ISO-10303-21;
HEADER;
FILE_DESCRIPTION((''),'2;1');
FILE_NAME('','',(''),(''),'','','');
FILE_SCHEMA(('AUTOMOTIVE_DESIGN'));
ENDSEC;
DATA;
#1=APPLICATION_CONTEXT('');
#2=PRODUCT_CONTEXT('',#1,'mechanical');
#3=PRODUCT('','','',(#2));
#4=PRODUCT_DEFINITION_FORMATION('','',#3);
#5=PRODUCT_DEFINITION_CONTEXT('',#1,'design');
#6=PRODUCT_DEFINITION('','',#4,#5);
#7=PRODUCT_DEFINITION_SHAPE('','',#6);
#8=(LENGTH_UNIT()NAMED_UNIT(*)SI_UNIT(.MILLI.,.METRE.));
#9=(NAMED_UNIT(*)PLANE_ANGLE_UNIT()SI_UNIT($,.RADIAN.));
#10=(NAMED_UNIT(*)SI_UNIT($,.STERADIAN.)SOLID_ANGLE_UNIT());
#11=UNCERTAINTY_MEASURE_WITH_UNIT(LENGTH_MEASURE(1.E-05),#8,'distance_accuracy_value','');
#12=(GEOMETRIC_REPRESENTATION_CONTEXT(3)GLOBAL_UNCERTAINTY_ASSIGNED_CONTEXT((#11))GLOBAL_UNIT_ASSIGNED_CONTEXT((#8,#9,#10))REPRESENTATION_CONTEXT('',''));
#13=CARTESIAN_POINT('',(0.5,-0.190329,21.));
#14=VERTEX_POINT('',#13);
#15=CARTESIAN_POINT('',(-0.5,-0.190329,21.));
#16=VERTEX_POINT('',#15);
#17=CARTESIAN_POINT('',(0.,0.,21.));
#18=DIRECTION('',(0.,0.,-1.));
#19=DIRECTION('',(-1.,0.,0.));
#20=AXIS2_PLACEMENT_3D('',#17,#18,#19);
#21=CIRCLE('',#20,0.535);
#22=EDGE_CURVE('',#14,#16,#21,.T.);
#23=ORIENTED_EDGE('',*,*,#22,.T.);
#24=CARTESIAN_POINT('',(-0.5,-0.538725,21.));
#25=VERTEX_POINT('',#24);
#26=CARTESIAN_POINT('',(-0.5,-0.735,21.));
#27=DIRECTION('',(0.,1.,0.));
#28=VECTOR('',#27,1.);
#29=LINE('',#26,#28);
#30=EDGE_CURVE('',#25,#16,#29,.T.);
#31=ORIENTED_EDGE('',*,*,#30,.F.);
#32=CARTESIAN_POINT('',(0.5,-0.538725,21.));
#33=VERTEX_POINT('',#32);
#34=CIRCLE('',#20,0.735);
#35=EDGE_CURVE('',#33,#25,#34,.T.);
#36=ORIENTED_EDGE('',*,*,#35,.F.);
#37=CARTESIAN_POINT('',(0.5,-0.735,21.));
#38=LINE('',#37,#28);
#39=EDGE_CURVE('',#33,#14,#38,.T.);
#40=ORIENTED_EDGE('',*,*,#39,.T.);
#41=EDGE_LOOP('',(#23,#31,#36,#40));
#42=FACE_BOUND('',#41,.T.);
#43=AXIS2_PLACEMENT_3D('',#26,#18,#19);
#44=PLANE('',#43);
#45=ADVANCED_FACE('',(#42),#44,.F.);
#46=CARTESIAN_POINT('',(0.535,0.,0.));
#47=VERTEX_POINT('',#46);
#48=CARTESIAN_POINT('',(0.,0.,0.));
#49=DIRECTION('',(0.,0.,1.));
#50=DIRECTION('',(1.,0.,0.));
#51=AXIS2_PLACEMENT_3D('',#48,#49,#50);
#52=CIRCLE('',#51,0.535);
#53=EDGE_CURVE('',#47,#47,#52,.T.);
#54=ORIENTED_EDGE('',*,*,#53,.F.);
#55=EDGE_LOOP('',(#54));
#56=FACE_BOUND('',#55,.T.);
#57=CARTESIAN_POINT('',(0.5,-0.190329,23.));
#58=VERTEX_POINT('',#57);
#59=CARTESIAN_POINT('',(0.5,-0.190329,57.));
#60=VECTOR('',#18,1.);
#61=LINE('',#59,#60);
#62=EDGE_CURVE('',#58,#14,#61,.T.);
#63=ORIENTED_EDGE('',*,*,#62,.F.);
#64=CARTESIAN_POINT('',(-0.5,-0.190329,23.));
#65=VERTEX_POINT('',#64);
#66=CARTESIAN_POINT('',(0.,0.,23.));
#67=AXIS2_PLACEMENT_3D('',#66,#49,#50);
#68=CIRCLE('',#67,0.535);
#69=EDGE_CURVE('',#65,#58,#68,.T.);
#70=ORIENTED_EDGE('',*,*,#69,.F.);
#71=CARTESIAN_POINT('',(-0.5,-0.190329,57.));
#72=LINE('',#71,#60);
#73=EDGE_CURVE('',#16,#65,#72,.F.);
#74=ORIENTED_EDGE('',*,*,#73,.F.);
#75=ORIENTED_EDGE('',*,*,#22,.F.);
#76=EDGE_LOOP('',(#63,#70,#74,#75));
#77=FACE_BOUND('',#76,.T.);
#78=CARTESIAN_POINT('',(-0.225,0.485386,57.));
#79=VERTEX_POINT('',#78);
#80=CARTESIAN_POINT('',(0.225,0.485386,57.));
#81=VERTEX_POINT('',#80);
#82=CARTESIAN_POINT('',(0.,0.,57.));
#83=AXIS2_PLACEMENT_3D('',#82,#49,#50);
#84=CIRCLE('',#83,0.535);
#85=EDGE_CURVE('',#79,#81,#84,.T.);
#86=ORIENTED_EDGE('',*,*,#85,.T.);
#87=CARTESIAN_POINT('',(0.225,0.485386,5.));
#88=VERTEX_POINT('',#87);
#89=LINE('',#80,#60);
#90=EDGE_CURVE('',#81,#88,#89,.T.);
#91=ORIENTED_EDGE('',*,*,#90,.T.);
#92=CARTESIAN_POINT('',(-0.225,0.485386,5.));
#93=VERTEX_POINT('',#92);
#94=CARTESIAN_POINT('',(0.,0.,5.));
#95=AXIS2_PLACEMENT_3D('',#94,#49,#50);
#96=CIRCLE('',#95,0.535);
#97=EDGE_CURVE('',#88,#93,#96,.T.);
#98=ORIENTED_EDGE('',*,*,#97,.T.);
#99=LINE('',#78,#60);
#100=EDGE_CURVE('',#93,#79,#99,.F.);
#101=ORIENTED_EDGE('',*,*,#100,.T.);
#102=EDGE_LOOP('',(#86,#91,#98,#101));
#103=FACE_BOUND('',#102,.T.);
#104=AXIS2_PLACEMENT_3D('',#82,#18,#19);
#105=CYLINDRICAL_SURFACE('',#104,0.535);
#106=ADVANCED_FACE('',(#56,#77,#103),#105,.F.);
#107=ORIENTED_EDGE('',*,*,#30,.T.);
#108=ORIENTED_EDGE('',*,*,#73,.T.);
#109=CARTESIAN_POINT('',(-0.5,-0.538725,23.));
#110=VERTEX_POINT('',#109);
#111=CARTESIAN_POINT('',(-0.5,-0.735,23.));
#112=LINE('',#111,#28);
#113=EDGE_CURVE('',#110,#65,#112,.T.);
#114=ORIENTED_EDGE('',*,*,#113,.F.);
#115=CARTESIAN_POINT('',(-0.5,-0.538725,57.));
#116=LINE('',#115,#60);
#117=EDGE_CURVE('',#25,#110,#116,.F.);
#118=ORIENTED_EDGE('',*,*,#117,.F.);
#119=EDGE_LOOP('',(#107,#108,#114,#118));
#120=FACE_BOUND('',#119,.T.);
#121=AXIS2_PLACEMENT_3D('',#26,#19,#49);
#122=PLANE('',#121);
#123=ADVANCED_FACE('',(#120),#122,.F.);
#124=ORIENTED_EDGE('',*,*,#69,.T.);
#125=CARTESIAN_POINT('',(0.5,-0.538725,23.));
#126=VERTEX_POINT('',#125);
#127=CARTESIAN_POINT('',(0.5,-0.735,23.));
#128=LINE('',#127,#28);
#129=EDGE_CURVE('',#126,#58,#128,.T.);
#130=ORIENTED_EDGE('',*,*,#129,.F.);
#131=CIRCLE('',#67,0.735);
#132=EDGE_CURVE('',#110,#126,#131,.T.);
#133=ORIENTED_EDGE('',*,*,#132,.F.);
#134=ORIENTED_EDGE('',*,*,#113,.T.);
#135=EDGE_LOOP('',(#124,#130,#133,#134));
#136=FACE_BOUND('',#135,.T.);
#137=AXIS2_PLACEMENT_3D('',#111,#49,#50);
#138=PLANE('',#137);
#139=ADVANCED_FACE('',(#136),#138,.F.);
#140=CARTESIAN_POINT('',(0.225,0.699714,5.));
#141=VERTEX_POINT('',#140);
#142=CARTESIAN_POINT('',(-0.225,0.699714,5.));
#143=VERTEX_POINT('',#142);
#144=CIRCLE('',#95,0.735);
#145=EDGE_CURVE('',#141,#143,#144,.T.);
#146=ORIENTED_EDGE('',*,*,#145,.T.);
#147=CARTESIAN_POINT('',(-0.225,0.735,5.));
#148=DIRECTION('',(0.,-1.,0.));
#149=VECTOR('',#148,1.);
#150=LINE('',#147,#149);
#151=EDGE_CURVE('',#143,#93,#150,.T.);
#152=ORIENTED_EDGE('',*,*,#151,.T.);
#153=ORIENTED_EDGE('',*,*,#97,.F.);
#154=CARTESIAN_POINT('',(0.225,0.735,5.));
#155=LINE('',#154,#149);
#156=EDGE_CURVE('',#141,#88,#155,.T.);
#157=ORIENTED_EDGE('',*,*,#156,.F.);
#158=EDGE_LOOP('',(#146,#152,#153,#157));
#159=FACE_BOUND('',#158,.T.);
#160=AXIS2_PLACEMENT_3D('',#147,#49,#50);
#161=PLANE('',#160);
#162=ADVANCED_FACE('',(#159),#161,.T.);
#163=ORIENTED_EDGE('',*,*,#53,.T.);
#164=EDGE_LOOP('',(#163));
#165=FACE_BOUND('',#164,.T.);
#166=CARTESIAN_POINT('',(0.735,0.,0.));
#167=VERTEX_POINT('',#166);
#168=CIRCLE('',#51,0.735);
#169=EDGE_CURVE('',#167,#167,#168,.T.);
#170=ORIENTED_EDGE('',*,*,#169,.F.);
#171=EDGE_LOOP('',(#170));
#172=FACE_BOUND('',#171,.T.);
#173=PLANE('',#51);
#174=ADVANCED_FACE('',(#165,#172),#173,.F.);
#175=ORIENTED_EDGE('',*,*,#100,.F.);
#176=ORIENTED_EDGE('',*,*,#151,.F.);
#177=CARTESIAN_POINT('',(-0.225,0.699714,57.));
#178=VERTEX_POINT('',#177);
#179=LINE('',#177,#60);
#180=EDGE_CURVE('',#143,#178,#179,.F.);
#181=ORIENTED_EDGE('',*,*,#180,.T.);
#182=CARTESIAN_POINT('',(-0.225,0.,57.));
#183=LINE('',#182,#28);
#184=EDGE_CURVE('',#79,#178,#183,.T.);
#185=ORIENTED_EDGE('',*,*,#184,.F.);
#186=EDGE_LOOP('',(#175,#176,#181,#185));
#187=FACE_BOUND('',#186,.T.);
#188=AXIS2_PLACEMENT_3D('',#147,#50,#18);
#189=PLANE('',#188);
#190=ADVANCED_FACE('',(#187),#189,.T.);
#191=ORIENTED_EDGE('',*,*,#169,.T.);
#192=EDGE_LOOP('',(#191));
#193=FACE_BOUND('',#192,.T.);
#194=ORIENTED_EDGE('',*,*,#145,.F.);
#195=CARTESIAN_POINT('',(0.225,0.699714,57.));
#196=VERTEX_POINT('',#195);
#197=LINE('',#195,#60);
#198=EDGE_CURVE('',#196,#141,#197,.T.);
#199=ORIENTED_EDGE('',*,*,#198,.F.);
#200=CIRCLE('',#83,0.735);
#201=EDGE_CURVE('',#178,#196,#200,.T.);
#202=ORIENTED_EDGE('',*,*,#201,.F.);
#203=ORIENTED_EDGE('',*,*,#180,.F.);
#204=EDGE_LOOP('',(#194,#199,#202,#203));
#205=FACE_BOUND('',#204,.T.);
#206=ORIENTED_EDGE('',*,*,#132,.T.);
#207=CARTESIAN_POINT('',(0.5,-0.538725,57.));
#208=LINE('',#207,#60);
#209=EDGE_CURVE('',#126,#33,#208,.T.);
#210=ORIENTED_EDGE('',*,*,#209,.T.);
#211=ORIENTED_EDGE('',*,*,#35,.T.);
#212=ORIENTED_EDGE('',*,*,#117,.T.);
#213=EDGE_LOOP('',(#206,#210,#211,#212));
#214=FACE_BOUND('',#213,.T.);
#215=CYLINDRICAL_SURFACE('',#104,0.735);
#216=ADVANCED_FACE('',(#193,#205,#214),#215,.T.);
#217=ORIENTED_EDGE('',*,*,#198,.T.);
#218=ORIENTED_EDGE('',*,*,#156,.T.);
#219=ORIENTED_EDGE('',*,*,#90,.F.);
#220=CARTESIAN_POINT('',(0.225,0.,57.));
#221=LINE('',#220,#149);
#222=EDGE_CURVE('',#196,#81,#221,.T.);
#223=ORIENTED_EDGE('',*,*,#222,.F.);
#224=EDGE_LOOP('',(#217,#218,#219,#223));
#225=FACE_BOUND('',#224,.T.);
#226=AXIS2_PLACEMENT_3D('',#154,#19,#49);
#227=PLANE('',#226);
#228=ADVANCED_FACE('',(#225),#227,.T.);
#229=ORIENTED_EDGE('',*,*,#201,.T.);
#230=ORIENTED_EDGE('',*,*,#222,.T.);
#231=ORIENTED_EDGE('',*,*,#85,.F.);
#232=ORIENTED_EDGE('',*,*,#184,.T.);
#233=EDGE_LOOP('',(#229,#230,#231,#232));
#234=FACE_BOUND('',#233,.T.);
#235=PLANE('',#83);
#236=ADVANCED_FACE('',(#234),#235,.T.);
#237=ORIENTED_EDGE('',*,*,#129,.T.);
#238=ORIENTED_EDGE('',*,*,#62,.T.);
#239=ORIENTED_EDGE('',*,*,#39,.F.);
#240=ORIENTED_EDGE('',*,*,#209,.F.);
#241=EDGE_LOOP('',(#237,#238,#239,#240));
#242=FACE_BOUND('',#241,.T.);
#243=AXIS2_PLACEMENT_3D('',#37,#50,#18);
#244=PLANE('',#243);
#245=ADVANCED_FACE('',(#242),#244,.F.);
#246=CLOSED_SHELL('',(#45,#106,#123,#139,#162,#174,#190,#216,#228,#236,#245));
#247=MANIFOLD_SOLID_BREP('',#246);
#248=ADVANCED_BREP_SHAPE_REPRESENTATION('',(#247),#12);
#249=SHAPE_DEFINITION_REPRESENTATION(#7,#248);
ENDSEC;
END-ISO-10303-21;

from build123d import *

# Parameters (mm, degrees)
SKETCH1_R           = 0.735
SKETCH1_R_2         = 0.535
BOSS_EXTRUDE1_DEPTH = 57
SKETCH2_W           = 0.45
SKETCH2_H           = 53
CUT_EXTRUDE1_DEPTH  = 1.735
SKETCH3_W           = 1
SKETCH3_H           = 2
CUT_EXTRUDE2_DEPTH  = 1.735


with BuildPart() as part:
    # Sketch1 → Boss-Extrude1 (new body)
    with BuildSketch(Plane.XY):
        Circle(SKETCH1_R)
        Circle(SKETCH1_R_2, mode=Mode.SUBTRACT)
    extrude(amount=BOSS_EXTRUDE1_DEPTH)

    # Sketch2 → Cut-Extrude1 (cut, through all)
    with BuildSketch(Plane(origin=(0, 0, 0), x_dir=(1, 0, 0), z_dir=(0, 1, 0))):
        with Locations((0, -31.5)):
            Rectangle(SKETCH2_W, SKETCH2_H)
    extrude(amount=CUT_EXTRUDE1_DEPTH, mode=Mode.SUBTRACT)

    # Sketch3 → Cut-Extrude2 (cut, through all)
    with BuildSketch(Plane(origin=(0, 0, 0), x_dir=(1, 0, 0), z_dir=(0, 1, 0))):
        with Locations((0, -22)):
            Rectangle(SKETCH3_W, SKETCH3_H)
    extrude(amount=-CUT_EXTRUDE2_DEPTH, mode=Mode.SUBTRACT)


solid = part.part
